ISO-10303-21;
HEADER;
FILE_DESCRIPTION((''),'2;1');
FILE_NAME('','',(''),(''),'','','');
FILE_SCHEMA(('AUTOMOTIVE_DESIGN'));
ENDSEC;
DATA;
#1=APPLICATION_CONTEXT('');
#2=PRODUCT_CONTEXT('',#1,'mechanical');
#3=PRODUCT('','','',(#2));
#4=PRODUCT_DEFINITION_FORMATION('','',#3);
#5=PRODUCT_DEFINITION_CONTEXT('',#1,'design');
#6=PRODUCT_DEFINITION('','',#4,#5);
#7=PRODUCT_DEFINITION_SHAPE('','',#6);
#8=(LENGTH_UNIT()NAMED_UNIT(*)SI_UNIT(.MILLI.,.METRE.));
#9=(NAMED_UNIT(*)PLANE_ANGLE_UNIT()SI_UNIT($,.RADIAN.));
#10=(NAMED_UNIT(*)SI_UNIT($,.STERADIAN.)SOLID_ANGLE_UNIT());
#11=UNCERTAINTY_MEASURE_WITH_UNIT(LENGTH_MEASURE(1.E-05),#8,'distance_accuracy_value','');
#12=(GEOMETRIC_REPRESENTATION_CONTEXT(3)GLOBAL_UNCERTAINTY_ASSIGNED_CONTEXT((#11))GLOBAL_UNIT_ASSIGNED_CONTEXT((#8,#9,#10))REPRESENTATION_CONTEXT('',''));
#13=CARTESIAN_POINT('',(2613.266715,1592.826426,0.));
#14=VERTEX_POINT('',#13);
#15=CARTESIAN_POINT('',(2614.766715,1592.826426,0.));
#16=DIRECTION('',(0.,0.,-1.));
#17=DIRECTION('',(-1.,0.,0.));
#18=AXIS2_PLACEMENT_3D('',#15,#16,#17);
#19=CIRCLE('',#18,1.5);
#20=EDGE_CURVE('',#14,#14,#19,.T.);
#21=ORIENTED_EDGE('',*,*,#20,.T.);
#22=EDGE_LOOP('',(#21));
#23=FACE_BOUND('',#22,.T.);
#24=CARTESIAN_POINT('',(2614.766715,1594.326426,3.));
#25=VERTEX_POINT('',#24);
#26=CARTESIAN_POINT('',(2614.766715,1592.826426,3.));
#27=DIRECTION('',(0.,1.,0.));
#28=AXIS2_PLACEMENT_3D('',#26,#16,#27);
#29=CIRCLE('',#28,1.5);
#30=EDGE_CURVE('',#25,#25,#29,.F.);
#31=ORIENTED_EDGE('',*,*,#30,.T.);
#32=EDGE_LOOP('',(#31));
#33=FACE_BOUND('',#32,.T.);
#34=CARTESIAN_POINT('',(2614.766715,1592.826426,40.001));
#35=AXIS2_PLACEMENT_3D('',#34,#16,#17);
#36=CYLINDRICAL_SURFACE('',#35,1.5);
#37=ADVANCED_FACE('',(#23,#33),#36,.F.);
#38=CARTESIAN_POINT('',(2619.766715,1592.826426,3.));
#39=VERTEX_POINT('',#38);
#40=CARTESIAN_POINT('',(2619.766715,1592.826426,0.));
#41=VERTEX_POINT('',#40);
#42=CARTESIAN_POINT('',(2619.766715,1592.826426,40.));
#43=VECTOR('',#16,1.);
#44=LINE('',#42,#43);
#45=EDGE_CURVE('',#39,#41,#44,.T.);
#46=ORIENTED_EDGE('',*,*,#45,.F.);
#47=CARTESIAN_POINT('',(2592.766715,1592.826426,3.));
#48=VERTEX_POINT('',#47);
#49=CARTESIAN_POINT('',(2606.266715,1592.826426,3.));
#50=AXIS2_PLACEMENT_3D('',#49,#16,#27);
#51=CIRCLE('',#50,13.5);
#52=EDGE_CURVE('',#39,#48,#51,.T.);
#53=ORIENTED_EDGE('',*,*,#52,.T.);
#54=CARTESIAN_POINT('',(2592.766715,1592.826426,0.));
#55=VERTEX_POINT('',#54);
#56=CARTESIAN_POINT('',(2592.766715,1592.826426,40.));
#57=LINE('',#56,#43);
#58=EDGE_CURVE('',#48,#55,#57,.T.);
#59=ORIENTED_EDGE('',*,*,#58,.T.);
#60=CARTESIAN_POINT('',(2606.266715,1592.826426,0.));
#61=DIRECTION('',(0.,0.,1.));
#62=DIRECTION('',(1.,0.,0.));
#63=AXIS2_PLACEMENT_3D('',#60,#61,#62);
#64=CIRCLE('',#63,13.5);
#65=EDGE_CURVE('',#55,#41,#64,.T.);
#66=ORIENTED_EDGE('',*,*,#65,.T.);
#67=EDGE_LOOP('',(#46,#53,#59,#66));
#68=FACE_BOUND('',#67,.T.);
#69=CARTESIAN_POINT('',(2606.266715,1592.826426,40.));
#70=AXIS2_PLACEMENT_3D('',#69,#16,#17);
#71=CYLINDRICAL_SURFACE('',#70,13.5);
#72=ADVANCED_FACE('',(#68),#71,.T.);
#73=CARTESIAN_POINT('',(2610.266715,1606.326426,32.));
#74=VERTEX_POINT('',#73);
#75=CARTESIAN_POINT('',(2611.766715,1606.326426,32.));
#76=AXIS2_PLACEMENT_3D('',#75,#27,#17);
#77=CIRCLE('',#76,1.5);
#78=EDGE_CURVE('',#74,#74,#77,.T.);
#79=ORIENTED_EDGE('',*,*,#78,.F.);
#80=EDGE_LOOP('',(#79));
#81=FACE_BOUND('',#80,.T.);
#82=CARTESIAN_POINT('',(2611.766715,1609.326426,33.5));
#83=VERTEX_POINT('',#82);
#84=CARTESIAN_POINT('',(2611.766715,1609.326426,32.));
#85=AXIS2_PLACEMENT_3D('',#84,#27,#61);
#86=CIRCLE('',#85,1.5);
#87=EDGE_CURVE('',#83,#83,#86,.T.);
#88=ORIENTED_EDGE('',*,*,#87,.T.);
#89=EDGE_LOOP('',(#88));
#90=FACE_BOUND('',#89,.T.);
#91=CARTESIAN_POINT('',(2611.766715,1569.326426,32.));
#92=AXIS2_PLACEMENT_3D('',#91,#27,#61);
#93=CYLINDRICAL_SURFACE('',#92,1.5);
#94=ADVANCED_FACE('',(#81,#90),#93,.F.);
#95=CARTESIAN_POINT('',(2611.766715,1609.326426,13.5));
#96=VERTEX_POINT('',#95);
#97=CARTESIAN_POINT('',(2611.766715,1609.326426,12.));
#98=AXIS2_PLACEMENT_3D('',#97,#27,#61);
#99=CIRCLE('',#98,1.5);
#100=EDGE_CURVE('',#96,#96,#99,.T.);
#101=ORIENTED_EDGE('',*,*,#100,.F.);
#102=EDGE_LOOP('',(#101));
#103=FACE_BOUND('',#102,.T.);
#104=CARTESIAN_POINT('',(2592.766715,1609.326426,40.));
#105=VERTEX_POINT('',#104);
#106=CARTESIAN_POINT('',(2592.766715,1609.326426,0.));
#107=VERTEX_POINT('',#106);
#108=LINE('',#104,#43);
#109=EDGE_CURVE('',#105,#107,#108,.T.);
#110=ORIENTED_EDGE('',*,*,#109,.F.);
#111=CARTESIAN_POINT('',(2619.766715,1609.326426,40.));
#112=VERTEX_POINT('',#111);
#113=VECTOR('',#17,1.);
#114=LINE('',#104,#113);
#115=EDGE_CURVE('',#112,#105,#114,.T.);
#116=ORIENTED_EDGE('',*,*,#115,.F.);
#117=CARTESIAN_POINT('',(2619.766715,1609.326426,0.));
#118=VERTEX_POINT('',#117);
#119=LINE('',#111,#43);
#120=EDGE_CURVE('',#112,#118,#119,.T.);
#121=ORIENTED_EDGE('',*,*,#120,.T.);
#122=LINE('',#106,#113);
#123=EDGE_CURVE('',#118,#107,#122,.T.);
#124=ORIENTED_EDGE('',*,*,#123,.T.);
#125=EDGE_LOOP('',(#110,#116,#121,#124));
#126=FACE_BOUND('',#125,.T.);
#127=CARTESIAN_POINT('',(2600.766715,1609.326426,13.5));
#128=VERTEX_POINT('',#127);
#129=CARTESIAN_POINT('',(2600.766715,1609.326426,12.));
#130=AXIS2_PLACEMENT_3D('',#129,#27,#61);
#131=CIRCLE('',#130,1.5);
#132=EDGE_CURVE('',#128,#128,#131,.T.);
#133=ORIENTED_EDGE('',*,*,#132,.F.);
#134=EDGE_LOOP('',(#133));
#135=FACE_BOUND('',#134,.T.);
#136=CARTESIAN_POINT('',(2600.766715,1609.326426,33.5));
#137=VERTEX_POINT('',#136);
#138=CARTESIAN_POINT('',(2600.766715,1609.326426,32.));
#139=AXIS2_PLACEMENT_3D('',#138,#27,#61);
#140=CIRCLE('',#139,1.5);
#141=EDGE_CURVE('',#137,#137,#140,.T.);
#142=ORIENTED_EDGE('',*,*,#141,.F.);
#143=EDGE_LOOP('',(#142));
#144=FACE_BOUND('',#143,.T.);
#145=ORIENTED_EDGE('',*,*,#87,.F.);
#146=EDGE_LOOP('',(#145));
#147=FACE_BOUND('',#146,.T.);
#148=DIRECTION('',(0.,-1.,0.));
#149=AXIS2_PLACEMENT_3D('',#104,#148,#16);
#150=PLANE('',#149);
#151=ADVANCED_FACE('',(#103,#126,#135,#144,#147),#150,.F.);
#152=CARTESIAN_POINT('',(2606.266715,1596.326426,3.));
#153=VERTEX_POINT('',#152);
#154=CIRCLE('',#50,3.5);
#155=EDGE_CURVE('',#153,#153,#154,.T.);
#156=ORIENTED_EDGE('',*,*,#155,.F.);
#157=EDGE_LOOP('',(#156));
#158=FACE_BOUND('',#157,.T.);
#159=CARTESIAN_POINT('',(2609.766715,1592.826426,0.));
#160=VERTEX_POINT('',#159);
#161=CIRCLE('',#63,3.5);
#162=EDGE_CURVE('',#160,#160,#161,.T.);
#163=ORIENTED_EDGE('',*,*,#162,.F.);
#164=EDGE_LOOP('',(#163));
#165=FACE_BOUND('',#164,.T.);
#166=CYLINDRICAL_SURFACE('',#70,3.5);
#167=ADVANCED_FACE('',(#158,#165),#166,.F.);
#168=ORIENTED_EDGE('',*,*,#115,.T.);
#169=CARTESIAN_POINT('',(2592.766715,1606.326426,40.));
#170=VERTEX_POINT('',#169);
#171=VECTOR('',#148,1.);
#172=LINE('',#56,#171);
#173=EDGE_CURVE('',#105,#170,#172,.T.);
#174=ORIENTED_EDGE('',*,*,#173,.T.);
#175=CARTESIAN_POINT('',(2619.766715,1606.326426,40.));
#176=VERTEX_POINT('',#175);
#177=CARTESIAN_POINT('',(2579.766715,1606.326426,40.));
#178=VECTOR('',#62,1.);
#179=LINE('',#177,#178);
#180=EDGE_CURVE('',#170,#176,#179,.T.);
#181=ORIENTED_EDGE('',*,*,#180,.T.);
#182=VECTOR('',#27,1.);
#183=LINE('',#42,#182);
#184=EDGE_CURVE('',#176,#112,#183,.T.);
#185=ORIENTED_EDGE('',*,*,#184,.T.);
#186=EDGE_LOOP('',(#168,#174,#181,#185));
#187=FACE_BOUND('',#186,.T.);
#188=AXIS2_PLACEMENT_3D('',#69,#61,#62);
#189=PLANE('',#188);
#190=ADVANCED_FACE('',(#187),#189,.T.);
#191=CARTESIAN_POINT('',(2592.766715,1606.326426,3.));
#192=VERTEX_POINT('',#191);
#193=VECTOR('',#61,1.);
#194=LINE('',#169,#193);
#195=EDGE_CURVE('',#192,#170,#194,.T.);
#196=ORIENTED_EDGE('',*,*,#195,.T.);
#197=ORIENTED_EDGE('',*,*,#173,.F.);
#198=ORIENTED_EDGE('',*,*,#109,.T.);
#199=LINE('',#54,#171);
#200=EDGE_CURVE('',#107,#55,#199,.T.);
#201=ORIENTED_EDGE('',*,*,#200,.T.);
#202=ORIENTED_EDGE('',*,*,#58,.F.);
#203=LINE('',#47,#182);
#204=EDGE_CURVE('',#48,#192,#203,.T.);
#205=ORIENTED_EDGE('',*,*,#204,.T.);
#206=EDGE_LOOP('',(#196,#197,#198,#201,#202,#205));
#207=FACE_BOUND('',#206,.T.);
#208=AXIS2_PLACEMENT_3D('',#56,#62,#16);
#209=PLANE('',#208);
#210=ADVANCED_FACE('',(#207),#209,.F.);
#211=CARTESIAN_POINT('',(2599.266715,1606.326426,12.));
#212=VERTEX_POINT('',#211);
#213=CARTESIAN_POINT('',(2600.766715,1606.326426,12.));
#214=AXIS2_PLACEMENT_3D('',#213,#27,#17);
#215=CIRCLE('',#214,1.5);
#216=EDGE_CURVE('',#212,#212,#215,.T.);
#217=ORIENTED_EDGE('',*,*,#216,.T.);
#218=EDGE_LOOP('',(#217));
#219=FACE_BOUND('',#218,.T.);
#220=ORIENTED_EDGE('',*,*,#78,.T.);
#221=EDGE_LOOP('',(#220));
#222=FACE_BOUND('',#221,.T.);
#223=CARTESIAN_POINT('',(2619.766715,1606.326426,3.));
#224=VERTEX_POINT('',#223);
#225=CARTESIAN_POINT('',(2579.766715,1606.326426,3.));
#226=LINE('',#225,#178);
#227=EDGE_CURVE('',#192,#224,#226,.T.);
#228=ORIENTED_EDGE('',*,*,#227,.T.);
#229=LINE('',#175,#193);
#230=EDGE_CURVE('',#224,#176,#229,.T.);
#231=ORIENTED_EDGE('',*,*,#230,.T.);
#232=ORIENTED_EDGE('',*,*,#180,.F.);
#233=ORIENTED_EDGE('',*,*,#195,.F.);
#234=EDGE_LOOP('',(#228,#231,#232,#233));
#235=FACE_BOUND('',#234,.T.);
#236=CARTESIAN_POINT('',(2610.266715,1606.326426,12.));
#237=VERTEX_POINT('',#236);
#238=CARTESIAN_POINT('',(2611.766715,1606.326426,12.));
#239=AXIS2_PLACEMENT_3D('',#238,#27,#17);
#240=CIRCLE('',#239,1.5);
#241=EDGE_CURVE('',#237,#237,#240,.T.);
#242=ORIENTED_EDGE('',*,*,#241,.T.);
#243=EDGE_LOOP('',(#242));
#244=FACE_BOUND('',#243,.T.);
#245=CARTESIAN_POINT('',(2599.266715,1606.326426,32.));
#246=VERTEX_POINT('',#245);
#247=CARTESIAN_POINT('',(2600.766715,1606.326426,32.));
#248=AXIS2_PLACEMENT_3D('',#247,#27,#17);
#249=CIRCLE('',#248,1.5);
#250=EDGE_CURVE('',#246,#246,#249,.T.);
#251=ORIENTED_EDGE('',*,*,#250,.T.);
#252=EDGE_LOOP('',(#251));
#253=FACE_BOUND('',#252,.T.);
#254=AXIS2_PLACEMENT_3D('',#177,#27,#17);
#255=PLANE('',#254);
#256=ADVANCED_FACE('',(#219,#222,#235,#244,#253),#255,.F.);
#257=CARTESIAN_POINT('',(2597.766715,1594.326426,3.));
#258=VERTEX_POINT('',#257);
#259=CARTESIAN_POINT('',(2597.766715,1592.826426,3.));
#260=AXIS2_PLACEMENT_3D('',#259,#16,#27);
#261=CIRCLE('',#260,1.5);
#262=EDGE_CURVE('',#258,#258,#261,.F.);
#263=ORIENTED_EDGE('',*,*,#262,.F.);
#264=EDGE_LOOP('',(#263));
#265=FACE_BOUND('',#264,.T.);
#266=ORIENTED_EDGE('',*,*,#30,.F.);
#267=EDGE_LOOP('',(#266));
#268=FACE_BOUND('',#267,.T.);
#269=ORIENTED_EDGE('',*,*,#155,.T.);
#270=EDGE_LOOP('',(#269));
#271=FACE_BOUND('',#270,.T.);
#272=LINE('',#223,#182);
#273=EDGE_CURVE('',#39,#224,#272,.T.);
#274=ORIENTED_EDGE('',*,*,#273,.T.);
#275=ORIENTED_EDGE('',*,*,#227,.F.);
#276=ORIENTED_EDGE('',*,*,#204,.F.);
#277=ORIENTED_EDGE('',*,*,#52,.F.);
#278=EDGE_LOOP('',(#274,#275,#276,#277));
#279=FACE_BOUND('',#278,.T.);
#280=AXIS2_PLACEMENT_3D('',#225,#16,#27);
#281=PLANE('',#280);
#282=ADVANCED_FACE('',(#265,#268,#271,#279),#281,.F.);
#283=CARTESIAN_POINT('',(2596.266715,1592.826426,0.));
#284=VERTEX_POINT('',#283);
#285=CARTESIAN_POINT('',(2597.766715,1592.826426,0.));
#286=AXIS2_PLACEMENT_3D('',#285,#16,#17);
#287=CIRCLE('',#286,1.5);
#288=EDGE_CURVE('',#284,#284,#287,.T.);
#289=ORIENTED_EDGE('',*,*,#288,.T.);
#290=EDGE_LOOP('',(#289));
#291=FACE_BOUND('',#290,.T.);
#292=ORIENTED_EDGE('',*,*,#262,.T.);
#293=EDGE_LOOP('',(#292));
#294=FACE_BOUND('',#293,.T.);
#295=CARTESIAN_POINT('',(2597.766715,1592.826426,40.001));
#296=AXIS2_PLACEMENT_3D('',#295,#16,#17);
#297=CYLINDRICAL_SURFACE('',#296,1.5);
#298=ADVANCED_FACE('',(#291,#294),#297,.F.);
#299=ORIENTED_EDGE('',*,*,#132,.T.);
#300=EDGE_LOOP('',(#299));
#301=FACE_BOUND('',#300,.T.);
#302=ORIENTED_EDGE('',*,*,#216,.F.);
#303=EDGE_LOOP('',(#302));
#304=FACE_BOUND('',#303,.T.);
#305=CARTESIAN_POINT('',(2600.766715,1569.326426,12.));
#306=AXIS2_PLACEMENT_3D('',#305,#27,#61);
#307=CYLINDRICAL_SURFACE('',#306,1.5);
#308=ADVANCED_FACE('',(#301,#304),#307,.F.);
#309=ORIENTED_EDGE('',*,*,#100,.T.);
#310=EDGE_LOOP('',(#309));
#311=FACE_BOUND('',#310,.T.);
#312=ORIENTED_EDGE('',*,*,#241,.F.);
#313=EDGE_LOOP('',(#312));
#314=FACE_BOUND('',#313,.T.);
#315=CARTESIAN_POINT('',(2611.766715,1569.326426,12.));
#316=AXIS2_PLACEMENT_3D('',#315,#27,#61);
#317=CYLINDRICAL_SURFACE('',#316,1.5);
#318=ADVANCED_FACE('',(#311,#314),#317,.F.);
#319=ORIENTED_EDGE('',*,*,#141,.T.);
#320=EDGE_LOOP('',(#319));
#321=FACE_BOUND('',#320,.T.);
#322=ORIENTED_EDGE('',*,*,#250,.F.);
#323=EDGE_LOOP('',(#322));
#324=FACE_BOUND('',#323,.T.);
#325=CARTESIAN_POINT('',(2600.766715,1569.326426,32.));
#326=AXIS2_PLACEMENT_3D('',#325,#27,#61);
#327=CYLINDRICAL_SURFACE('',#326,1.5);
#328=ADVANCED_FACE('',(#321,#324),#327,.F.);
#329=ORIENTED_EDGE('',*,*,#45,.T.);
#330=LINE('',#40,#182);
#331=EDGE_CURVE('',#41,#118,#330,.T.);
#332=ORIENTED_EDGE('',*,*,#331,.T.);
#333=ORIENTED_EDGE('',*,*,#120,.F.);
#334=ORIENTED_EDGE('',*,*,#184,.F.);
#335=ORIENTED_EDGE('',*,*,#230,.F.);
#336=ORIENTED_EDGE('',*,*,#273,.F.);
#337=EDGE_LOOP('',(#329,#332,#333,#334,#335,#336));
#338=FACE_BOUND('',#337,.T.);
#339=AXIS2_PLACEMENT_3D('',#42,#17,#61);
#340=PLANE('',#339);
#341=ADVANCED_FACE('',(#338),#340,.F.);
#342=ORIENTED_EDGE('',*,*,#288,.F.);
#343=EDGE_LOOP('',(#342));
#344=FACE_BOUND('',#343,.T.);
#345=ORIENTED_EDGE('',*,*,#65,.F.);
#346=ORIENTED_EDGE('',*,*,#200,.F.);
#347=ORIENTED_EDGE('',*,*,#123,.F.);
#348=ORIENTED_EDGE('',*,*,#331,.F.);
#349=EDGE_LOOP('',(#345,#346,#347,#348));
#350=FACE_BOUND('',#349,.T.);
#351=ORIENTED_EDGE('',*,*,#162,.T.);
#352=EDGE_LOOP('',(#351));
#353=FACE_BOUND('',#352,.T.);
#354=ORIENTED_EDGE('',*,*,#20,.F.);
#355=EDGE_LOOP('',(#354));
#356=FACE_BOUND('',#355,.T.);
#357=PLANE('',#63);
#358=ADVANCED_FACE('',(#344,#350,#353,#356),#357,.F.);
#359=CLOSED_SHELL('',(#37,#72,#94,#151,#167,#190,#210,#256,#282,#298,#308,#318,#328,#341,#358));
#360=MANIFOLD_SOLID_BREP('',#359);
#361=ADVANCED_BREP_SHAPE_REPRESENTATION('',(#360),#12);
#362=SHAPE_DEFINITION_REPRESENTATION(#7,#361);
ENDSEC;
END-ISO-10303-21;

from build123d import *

# Parameters (mm, degrees)
MODEL_R             = 3.5
EXTRUDE_1_DEPTH     = 40
SKETCH_3_W          = 37
SKETCH_3_H          = 37
CUT_EXTRUDE_1_DEPTH = 40
SKETCH_4_R          = 1.5
CUT_EXTRUDE_2_DEPTH = 40
CUT_EXTRUDE1_REACH  = 42
SKETCH2_R           = 1.5


with BuildPart() as part:
    # Model → 凸台-拉伸1 (new body)
    with BuildSketch(Plane.XY):
        with BuildLine():
            Line((2619.766714505, 1592.826425633), (2619.766714505, 1609.326425633))
            Line((2619.766714505, 1609.326425633), (2592.766714505, 1609.326425633))
            Line((2592.766714505, 1609.326425633), (2592.766714505, 1592.826425633))
            ThreePointArc((2592.766714505, 1592.826425633), (2606.266714505, 1579.326425633), (2619.766714505, 1592.826425633))
        make_face()
        with Locations((2606.266714505, 1592.826425633)):
            Circle(MODEL_R, mode=Mode.SUBTRACT)
    extrude(amount=EXTRUDE_1_DEPTH)

    # 草图3 → 切除-拉伸1 (cut)
    with BuildSketch(Plane(origin=(2619.766714505, 0, 0), x_dir=(0, 0, -1), z_dir=(1, 0, 0))):
        with Locations((-21.5, 1587.826425633)):
            Rectangle(SKETCH_3_W, SKETCH_3_H)
    extrude(amount=-CUT_EXTRUDE_1_DEPTH, mode=Mode.SUBTRACT)

    # 草图4 → 切除-拉伸2 (cut)
    with BuildSketch(Plane(origin=(0, 1609.326425633, 0), x_dir=(1, 0, 0), z_dir=(0, 1, 0))):
        with Locations((2600.766714505, -32)):
            Circle(SKETCH_4_R)
        with Locations((2611.766714505, -32)):
            Circle(SKETCH_4_R)
        with Locations((2600.766714505, -12)):
            Circle(SKETCH_4_R)
        with Locations((2611.766714505, -12)):
            Circle(SKETCH_4_R)
    extrude(amount=-CUT_EXTRUDE_2_DEPTH, mode=Mode.SUBTRACT)

    # Sketch2 → Cut-Extrude1 (cut, up to next)
    with BuildSketch(Plane(origin=(0, 0, 0), x_dir=(-1, 0, 0), z_dir=(0, 0, -1)), mode=Mode.PRIVATE) as cut_extrude1_sk1:
        with Locations((-2597.766714505, 1592.826425633)):
            Circle(SKETCH2_R)
    cut_extrude1_tool1 = extrude(cut_extrude1_sk1.sketch, amount=-CUT_EXTRUDE1_REACH, mode=Mode.PRIVATE) & part.part
    add(cut_extrude1_tool1.solids().sort_by_distance((2597.766715, 1592.826426, 0))[0], mode=Mode.SUBTRACT)
    # Sketch2 → Cut-Extrude1 (cut, up to next)
    with BuildSketch(Plane(origin=(0, 0, 0), x_dir=(-1, 0, 0), z_dir=(0, 0, -1)), mode=Mode.PRIVATE) as cut_extrude1_sk2:
        with Locations((-2614.766714505, 1592.826425633)):
            Circle(SKETCH2_R)
    cut_extrude1_tool2 = extrude(cut_extrude1_sk2.sketch, amount=-CUT_EXTRUDE1_REACH, mode=Mode.PRIVATE) & part.part
    add(cut_extrude1_tool2.solids().sort_by_distance((2614.766715, 1592.826426, 0))[0], mode=Mode.SUBTRACT)


solid = part.part
